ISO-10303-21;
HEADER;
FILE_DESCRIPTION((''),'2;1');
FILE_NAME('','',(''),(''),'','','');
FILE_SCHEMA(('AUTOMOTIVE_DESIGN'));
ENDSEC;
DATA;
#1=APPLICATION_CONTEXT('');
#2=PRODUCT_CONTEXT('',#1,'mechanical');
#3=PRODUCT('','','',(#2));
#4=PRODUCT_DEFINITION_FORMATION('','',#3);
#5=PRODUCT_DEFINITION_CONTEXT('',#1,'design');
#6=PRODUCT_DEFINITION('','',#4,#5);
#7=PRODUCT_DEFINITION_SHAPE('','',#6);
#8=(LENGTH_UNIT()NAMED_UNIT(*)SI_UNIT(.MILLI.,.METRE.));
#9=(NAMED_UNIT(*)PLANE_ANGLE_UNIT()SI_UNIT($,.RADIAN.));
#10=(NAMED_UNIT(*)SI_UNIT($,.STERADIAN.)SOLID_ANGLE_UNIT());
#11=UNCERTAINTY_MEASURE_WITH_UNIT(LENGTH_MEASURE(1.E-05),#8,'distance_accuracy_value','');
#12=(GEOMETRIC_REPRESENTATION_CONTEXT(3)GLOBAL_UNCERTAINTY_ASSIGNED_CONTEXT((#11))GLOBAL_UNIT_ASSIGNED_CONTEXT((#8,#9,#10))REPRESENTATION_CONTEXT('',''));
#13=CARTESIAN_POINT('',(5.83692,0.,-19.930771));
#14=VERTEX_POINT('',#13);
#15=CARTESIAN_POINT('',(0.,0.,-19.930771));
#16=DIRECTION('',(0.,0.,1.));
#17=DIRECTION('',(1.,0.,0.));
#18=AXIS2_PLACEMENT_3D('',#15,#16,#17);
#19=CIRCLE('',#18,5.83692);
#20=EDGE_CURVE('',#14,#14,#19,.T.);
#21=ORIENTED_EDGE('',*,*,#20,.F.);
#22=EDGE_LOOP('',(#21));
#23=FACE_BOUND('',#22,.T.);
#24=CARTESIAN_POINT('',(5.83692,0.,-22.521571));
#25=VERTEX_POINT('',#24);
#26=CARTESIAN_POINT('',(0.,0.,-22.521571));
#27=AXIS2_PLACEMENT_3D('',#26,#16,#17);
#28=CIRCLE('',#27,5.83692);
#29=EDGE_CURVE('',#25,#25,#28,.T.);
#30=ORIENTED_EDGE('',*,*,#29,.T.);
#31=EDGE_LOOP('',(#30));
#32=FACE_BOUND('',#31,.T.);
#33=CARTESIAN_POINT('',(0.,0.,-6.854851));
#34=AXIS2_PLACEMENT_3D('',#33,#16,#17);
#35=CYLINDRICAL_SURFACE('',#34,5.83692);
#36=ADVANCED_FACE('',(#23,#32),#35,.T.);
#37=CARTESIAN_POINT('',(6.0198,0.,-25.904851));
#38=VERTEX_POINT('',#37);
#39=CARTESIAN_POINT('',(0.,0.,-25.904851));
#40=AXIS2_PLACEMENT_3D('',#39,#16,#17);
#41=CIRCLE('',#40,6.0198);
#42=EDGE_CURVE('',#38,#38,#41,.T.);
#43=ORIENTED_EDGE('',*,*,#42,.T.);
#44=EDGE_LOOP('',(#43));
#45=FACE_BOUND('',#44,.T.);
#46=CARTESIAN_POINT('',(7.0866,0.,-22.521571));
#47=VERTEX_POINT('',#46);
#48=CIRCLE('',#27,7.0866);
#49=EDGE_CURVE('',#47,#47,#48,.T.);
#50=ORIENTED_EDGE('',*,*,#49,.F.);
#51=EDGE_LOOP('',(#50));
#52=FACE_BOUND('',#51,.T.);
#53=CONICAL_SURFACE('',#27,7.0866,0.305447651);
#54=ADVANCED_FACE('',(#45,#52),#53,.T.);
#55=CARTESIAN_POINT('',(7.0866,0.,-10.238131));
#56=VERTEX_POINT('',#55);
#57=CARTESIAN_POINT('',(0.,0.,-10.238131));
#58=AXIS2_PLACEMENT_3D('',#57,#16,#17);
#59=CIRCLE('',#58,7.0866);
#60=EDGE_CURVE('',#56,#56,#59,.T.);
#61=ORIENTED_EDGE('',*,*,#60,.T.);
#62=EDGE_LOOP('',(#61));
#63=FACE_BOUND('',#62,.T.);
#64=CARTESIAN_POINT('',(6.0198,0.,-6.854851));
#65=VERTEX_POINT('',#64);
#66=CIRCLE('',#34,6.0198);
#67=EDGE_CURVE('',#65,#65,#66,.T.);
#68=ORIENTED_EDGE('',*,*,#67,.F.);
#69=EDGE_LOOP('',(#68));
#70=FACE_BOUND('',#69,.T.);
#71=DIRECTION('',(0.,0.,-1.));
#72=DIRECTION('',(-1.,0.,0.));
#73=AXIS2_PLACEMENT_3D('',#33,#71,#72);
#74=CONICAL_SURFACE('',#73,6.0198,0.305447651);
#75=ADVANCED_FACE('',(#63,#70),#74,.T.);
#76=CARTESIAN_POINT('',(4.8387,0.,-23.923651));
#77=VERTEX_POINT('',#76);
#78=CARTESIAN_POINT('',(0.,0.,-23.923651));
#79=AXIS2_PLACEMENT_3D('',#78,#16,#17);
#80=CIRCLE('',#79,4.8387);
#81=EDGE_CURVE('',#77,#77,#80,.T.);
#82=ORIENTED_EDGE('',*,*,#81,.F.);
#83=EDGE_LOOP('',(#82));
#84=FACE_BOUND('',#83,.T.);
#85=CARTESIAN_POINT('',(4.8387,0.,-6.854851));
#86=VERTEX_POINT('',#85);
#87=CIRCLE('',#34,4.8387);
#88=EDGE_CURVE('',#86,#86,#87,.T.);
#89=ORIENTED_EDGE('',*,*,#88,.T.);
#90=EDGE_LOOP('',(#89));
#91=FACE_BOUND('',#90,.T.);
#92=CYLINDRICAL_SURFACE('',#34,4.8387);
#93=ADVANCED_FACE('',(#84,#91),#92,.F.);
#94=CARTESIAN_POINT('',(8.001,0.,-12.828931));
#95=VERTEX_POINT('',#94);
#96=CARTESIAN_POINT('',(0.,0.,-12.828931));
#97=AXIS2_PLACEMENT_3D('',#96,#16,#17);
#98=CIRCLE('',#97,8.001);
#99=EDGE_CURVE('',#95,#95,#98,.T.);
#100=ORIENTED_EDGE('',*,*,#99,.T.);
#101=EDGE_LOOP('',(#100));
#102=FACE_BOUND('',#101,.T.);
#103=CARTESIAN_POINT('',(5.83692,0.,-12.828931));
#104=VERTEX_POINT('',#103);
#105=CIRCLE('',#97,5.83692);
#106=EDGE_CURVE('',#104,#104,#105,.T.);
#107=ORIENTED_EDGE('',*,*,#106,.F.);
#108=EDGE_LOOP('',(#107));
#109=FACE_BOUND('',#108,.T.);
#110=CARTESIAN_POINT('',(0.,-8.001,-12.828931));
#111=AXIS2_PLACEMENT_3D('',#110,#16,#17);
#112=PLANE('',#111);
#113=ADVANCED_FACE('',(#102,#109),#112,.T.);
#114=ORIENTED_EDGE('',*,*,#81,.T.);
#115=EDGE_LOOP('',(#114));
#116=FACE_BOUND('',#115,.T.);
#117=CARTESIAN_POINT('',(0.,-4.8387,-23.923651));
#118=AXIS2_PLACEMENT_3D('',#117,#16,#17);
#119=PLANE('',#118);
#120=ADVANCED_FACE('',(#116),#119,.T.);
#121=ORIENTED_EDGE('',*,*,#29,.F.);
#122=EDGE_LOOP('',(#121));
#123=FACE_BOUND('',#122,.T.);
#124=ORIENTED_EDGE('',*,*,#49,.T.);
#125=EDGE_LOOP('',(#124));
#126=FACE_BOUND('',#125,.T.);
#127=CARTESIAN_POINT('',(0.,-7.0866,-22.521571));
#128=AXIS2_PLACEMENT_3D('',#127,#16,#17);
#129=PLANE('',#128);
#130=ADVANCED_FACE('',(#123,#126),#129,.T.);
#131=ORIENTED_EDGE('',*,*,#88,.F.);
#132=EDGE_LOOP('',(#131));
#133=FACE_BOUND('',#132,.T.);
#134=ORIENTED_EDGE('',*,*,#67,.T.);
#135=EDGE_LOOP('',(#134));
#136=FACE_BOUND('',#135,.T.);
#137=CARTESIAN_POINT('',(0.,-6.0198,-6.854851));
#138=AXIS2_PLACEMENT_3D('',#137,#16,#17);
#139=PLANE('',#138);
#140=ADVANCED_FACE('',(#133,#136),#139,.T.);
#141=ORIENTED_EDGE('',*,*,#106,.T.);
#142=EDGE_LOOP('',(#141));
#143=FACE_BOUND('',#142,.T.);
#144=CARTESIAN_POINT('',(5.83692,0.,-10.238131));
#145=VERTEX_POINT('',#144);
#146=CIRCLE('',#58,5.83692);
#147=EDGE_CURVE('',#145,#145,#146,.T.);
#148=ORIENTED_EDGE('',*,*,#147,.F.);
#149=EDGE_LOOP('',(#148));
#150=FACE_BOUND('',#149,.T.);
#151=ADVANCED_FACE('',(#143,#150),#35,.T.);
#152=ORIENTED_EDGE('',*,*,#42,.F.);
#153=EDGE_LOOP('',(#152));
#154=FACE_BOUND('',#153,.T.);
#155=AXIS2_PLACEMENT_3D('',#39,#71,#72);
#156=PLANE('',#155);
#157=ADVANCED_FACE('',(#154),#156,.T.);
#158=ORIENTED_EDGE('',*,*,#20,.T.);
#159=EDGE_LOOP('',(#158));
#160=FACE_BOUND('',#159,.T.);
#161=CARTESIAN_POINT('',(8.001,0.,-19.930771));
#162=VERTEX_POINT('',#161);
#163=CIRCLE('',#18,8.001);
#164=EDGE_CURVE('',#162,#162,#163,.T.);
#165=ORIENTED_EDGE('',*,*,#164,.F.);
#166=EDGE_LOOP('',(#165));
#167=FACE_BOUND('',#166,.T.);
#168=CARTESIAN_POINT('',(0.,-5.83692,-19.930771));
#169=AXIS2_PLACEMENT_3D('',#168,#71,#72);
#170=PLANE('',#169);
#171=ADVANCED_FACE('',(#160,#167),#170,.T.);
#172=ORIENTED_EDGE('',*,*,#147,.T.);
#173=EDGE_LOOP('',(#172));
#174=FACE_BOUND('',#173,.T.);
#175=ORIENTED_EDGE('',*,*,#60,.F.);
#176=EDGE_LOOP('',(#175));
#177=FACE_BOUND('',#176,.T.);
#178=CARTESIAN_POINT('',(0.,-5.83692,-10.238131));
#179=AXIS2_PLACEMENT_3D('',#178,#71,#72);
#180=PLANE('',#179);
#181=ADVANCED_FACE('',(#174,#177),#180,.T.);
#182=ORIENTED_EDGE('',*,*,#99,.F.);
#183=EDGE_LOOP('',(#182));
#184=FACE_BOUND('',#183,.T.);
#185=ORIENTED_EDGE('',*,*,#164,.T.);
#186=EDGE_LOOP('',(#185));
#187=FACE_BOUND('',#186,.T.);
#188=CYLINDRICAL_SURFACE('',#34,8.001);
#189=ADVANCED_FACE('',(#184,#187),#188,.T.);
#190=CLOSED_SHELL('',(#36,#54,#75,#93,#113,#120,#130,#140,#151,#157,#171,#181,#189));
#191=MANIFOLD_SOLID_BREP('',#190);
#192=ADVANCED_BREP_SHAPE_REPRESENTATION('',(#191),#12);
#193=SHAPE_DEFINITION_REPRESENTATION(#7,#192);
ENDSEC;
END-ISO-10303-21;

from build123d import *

# Parameters (mm, degrees)
SCALE1_SCALE = 0.6


with BuildPart() as part:
    # Sketch1 → Revolve1 (revolve)
    with BuildSketch(Plane(origin=(0, 0, 0), x_dir=(0, 0, -1), z_dir=(1, 0, 0)), mode=Mode.PRIVATE) as revolve1_sk:
        Polygon((0, -8.0645), (28.448, -8.0645), (28.448, 0), (31.75, 0), (31.75, -10.033), (26.1112, -11.811), (26.1112, -9.7282), (21.7932, -9.7282), (21.7932, -13.335), (9.9568, -13.335), (9.9568, -9.7282), (5.6388, -9.7282), (5.6388, -11.811), (0, -10.033), align=None)
    revolve(revolve1_sk.sketch.rotate(Axis((0, 0, 0), (0, 0, -1)), 270), axis=Axis((0, 0, 0), (0, 0, -1)))


with BuildPart() as part_1:
    # Scale1: scaled about (0, 0, -17.137127413)
    add(part.part.scale(SCALE1_SCALE).moved(Location((0, 0, -6.854850965))))


solid = part_1.part
